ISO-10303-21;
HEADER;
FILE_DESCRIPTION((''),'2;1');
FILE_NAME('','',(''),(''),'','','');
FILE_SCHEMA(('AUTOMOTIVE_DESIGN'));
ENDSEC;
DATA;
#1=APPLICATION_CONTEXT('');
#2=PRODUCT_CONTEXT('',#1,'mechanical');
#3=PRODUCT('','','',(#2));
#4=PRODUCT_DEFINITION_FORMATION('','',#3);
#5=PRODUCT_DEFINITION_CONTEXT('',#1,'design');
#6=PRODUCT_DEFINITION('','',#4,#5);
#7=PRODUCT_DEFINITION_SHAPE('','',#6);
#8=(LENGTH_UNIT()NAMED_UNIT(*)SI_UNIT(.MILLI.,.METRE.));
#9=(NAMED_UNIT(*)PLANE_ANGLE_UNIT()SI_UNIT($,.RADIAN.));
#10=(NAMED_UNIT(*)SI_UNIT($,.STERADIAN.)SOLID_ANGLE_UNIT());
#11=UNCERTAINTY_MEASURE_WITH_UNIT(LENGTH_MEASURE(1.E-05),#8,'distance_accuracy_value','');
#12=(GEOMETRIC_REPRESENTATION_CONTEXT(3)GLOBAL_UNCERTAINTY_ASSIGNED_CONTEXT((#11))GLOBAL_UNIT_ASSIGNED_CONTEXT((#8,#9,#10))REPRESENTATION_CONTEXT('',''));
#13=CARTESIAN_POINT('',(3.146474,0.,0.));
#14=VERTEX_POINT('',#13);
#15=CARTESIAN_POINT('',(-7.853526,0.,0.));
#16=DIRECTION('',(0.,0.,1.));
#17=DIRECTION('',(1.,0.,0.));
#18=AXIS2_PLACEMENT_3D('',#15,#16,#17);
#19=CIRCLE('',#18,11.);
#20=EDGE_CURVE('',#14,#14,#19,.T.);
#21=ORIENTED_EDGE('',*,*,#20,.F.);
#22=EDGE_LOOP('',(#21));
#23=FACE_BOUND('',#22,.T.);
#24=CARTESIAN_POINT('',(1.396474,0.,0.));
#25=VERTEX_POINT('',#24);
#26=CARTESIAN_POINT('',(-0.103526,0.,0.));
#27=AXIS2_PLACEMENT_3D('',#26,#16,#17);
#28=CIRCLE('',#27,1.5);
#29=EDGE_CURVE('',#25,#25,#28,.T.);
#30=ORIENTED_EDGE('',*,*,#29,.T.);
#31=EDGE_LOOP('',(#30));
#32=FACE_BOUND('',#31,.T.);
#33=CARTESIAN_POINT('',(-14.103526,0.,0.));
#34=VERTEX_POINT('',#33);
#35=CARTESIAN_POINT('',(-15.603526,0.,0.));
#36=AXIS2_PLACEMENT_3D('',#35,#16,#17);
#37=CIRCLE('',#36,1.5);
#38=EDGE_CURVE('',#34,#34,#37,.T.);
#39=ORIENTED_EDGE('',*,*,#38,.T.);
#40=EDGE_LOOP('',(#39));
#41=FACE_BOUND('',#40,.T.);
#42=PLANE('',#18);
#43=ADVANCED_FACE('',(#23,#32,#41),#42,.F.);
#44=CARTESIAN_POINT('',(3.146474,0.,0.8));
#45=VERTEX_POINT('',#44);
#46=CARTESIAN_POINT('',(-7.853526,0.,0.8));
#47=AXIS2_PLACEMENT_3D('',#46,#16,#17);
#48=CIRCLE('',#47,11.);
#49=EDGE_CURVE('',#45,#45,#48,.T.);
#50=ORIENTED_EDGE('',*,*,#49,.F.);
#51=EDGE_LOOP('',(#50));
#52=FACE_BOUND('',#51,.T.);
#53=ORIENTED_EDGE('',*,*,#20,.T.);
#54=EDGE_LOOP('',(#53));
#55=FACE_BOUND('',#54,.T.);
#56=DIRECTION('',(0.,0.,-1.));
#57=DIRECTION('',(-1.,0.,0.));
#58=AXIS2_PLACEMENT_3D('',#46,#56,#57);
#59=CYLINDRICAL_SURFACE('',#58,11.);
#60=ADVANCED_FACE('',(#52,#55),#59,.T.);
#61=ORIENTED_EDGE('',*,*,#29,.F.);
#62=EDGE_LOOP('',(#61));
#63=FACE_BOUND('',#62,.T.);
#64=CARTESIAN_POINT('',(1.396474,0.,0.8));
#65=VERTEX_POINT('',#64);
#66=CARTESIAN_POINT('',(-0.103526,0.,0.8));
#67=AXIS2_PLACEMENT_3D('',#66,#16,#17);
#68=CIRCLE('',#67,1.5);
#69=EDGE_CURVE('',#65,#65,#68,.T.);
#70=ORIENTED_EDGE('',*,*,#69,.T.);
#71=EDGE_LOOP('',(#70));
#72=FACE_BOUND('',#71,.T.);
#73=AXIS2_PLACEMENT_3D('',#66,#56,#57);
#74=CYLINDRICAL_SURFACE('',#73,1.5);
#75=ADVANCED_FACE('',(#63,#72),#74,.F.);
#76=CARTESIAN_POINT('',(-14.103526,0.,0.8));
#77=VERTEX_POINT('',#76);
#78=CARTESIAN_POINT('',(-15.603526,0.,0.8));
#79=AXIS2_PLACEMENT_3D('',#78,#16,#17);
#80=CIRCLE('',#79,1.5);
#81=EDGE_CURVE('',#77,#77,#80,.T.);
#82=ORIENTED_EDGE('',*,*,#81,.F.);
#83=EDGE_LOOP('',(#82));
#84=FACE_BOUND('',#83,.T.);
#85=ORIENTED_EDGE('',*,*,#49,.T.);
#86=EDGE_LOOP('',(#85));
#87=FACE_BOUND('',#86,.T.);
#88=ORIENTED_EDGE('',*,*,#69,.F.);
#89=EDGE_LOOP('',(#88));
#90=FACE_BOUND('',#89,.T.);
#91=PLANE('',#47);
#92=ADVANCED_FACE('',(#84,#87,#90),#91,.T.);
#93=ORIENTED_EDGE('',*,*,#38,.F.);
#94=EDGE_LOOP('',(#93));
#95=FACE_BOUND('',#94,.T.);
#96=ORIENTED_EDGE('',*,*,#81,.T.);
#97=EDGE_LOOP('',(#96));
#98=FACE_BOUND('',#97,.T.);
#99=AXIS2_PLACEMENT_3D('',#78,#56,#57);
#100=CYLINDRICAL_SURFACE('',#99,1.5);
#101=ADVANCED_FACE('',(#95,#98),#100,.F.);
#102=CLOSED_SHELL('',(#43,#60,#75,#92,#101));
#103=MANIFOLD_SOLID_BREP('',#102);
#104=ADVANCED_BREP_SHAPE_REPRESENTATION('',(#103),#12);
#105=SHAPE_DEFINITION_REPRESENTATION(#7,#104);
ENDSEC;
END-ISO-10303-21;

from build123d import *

# Parameters (mm, degrees)
ESQUISSE1_R        = 11
ESQUISSE1_R_2      = 1.5
BOSS_EXTRU_1_DEPTH = 0.8


with BuildPart() as part:
    # Esquisse1 → Boss.-Extru.1 (new body)
    with BuildSketch(Plane.XY):
        with Locations((-7.853526334, 0)):
            Circle(ESQUISSE1_R)
        with Locations((-15.603526334, 0)):
            Circle(ESQUISSE1_R_2, mode=Mode.SUBTRACT)
        with Locations((-0.103526334, 0)):
            Circle(ESQUISSE1_R_2, mode=Mode.SUBTRACT)
    extrude(amount=BOSS_EXTRU_1_DEPTH)


solid = part.part
